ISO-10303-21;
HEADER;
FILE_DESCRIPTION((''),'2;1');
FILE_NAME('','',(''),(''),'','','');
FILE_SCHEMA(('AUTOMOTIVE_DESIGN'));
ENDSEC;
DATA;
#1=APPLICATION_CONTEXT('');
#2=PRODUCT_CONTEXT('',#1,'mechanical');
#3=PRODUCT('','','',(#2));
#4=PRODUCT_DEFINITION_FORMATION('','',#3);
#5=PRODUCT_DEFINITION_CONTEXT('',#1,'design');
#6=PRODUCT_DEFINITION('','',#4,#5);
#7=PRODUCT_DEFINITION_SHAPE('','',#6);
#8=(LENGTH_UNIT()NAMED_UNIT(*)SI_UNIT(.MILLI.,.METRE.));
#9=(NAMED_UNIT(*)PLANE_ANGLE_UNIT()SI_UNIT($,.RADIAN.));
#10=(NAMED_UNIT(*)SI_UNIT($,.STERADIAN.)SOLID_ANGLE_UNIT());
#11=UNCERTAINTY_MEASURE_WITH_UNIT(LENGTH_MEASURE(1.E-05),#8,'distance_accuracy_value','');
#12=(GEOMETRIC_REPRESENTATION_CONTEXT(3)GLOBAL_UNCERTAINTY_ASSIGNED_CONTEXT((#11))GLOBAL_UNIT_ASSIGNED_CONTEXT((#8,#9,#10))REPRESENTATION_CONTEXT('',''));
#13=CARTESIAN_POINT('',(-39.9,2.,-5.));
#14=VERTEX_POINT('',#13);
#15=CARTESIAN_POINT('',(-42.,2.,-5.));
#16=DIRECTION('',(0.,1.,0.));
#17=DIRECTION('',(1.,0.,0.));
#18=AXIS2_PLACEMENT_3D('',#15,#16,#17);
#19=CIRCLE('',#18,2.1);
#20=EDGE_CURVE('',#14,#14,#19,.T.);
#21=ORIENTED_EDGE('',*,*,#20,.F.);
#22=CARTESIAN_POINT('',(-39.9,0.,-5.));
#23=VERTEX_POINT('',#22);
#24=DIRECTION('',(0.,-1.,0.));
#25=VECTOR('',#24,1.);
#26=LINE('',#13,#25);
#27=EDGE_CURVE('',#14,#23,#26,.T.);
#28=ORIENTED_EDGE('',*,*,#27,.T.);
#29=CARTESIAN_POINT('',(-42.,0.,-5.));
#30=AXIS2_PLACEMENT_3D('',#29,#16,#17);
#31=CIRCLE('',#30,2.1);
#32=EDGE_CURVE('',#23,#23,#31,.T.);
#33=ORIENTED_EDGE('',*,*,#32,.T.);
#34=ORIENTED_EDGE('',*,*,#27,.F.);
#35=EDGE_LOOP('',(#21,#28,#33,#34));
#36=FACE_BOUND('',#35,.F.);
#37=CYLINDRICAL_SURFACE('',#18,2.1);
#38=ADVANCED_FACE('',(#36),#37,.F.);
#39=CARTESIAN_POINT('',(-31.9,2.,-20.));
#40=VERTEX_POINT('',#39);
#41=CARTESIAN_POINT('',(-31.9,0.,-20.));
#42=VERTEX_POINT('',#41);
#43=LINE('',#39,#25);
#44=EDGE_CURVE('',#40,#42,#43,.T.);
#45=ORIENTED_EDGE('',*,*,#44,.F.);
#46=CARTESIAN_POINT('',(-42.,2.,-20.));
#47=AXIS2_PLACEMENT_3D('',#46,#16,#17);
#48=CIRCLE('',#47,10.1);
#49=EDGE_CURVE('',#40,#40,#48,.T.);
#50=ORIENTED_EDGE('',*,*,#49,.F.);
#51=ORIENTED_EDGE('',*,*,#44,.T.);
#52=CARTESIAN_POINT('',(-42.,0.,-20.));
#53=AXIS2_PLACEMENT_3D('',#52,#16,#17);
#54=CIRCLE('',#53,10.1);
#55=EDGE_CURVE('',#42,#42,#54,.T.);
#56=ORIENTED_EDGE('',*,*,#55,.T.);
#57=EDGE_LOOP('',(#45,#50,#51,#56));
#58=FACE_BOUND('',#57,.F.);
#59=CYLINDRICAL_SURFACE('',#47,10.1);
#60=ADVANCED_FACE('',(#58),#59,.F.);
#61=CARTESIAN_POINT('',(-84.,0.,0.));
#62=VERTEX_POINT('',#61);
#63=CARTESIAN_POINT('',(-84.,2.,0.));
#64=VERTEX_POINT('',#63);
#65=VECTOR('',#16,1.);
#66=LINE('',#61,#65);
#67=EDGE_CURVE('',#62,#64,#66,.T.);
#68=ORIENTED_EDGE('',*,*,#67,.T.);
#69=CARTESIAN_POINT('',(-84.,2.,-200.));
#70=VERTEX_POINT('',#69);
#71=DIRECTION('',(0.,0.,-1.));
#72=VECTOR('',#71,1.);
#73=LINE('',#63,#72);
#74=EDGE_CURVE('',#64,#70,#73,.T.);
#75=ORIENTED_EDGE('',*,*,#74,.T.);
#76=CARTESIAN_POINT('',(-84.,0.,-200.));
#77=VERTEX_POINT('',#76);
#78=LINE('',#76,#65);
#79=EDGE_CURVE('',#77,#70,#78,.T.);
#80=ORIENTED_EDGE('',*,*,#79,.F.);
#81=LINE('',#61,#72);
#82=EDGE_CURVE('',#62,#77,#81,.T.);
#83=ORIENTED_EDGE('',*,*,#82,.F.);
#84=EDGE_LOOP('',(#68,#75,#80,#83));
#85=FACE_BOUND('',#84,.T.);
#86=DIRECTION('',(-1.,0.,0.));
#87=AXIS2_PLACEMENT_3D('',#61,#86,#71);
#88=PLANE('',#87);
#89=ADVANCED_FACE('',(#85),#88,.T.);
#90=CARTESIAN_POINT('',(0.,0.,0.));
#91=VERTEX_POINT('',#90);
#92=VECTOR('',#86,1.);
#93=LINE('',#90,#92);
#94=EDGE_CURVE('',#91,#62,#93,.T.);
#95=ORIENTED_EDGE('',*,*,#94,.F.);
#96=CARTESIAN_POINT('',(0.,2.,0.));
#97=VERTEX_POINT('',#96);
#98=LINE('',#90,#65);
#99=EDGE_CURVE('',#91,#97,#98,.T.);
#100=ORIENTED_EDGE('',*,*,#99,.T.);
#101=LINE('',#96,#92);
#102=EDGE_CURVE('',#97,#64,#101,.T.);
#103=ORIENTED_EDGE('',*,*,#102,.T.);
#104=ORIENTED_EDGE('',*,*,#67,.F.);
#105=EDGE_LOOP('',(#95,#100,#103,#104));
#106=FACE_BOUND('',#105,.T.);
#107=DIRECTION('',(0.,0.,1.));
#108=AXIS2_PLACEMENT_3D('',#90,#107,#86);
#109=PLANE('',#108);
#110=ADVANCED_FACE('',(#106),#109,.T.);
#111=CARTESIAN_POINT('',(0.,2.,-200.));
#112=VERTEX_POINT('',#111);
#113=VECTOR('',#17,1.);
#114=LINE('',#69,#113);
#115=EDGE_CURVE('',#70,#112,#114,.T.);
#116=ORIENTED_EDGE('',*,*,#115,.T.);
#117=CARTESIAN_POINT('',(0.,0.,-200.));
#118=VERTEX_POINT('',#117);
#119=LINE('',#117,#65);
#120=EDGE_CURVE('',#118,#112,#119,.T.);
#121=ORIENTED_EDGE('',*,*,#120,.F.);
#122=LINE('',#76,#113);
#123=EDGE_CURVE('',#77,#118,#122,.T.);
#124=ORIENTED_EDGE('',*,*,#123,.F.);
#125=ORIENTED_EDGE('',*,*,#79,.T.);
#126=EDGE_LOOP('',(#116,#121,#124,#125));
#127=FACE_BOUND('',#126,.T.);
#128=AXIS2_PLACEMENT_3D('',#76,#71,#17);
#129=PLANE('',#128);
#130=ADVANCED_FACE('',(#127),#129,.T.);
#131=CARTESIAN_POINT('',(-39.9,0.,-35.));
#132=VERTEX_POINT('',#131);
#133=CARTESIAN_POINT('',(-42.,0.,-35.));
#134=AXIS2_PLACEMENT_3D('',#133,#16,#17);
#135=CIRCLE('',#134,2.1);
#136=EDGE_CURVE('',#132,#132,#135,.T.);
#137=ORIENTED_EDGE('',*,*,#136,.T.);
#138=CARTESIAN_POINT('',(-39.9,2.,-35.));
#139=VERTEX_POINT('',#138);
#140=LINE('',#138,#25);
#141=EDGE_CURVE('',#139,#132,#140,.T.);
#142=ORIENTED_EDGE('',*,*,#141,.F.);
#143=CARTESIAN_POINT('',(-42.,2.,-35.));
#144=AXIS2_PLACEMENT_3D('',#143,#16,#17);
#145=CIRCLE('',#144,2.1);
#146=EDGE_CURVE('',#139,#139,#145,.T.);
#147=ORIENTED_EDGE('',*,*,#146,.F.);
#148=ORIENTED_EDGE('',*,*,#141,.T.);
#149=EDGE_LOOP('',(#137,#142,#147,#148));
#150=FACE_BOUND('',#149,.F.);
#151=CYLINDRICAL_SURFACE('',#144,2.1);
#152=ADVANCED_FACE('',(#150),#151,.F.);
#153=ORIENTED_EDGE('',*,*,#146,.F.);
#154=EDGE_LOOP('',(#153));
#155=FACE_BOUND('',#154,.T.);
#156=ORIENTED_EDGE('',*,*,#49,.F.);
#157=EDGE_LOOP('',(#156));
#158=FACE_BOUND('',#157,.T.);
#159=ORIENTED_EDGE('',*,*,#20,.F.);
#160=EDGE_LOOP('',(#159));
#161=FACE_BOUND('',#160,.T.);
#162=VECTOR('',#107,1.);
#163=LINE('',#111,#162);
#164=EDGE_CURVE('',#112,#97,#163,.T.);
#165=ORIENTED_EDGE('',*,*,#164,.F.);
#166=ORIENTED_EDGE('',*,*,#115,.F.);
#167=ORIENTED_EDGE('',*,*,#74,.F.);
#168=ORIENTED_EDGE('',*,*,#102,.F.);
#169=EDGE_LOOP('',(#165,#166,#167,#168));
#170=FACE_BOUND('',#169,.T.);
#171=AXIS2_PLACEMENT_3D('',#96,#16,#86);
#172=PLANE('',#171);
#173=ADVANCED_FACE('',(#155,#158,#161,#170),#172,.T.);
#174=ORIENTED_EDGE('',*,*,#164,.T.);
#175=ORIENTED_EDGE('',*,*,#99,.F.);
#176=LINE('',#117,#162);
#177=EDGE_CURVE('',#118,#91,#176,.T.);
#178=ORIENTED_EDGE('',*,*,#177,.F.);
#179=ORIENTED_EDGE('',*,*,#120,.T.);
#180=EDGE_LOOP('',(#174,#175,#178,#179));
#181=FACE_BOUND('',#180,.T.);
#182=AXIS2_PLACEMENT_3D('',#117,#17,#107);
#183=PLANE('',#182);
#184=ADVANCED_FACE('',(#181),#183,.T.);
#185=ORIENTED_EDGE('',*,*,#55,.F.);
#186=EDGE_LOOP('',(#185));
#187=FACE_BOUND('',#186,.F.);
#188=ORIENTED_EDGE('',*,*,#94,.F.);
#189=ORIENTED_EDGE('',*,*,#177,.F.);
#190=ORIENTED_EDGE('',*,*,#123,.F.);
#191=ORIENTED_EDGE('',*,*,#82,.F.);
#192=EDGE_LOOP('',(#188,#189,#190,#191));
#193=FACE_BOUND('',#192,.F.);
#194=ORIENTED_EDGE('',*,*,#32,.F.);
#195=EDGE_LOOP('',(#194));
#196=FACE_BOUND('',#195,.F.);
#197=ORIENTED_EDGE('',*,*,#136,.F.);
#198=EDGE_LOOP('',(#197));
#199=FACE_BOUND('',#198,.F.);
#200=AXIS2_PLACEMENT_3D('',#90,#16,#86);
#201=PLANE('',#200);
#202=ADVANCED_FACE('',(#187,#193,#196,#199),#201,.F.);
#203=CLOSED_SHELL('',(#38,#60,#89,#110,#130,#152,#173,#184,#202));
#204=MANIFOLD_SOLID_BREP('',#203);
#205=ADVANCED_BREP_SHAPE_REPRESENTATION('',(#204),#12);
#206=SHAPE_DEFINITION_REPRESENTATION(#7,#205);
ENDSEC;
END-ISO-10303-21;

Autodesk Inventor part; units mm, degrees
ref_plane "YZ Plane" through (0, 0, 0) normal (1, 0, 0) x (0, 1, 0)
ref_plane "XZ Plane" through (0, 0, 0) normal (0, 1, 0) x (-1, 0, 0)
ref_plane "XY Plane" through (0, 0, 0) normal (0, 0, 1) x (1, 0, 0)
sketch "スケッチ1" plane through (0, 0, 0) normal (0, 1, 0) x (-1, 0, 0)
  line L0 (0, 0) -> (84, 0)
  line L1 (84, 0) -> (84, -200)
  line L2 (84, -200) -> (0, -200)
  line L3 (0, -200) -> (0, 0)
  dimension "d0" = 84
  dimension "d1" = 200
extrude "押し出し1" add sketch "スケッチ1" along normal blind 2
sketch "スケッチ2" plane through (0, 2, 0) normal (0, 1, 0) x (1, 0, 0)
  circle A0 centre (-42, 5) radius 2.1
  line L0 (0, 0) -> (0, 200) projected
  line L1 (-84, 0) -> (0, 0) projected
  circle A1 centre (-42, 35) radius 2.1
  circle A2 centre (-42, 20) radius 10.1
  dimension "d4" = 4.2
  dimension "d5" = 42
  dimension "d6" = 5
  dimension "d7" = 4.2
  dimension "d8" = 30
  dimension "d11" = 20.2
  dimension "d12" = 15
extrude "押し出し3" cut sketch "スケッチ2" against normal blind 2
properties part number "sholder_fin"
